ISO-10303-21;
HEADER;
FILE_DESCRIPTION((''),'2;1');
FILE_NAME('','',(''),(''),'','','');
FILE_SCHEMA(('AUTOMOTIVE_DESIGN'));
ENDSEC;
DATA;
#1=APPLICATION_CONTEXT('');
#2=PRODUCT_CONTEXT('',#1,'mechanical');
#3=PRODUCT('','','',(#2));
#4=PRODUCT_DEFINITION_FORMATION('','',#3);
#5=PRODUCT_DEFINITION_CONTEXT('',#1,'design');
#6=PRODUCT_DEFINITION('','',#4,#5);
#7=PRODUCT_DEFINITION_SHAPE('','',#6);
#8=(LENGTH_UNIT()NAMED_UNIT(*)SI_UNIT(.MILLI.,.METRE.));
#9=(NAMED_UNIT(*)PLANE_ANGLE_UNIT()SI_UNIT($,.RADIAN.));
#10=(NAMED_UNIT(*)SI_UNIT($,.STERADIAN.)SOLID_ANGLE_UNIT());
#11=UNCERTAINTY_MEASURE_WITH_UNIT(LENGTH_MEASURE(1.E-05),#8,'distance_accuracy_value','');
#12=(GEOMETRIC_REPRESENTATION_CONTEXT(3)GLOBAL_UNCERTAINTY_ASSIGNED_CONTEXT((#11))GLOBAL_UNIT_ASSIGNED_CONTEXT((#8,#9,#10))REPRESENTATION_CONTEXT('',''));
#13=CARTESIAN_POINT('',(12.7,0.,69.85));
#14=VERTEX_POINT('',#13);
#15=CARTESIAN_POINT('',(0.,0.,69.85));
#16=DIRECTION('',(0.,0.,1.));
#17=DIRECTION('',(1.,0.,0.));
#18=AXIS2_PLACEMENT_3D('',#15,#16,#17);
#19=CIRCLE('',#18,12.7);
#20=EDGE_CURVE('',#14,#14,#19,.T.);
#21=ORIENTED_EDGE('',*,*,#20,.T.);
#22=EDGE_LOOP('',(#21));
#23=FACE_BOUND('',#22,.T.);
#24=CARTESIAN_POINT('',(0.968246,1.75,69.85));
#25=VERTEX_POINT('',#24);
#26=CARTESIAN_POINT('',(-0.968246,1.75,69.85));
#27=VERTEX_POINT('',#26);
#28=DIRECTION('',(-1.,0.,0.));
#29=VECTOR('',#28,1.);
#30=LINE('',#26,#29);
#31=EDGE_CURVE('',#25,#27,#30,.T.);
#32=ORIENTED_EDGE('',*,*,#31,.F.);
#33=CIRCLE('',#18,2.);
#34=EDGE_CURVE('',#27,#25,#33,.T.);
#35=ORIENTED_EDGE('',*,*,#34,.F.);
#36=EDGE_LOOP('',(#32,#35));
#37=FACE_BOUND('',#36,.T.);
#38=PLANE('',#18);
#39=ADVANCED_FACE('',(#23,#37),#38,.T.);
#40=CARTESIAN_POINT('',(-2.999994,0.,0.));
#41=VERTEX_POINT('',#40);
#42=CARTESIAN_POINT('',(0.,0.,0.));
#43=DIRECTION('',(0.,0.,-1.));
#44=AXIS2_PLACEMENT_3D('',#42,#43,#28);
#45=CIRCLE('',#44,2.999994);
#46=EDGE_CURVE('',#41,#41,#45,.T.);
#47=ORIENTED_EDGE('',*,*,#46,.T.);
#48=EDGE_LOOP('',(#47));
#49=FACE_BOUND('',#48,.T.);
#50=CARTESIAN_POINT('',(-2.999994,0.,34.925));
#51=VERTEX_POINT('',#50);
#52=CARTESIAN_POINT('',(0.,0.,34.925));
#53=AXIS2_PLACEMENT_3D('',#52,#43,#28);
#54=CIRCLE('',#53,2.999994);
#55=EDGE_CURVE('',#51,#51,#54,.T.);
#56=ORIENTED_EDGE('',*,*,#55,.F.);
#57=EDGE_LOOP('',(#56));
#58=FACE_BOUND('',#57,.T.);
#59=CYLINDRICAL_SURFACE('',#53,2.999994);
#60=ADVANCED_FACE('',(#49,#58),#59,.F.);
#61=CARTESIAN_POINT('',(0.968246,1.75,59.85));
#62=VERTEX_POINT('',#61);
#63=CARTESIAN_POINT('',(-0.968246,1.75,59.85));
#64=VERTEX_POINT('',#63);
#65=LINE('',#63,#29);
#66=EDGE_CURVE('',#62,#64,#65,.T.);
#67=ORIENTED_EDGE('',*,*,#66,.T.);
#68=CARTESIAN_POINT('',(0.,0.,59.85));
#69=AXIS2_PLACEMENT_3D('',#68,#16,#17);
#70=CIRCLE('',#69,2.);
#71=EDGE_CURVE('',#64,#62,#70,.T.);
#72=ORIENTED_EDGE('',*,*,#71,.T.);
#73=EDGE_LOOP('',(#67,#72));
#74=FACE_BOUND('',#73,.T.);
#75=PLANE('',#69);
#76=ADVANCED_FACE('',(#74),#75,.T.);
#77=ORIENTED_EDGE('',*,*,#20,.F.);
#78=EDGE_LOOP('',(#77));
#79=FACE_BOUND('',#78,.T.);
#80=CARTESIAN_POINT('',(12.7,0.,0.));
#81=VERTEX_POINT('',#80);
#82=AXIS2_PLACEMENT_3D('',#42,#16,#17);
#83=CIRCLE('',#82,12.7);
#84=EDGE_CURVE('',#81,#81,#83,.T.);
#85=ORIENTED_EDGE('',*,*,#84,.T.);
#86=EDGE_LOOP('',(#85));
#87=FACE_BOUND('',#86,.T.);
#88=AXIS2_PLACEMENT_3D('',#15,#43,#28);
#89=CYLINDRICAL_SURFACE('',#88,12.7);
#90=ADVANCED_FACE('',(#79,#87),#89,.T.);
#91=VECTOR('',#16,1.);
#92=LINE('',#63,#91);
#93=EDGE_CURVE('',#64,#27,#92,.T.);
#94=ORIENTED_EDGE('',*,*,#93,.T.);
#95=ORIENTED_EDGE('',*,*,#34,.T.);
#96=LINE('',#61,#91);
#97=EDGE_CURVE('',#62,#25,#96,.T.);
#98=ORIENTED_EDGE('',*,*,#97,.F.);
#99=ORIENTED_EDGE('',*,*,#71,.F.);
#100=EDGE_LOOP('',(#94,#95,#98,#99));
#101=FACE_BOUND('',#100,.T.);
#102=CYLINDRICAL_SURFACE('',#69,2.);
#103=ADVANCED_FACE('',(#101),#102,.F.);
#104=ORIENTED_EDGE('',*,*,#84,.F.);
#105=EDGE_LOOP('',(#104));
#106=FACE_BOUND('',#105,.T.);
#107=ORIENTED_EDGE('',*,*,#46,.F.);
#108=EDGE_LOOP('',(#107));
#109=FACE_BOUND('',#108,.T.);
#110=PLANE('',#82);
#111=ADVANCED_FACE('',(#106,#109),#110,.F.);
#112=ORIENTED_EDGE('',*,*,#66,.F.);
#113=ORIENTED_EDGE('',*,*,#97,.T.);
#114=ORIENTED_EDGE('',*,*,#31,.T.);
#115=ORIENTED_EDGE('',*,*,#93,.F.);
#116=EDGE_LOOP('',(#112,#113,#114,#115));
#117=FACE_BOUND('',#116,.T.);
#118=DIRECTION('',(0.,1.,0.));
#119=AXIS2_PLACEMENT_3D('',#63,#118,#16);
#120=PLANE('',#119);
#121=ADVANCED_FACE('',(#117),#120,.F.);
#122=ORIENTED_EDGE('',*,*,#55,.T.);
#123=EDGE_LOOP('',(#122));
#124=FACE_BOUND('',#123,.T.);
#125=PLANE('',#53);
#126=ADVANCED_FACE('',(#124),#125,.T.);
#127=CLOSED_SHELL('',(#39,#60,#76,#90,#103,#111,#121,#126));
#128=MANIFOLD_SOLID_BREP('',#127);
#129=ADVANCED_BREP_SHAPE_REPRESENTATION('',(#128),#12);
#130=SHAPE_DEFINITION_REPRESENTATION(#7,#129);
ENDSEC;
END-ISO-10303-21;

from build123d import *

# Parameters (mm, degrees)
SKETCH1_R           = 12.7
BOSS_EXTRUDE1_DEPTH = 69.85
CUT_EXTRUDE1_DEPTH  = 10
SKETCH3_R           = 2.999994
CUT_EXTRUDE2_DEPTH  = 34.925


with BuildPart() as part:
    # Sketch1 → Boss-Extrude1 (new body)
    with BuildSketch(Plane.XY):
        Circle(SKETCH1_R)
    extrude(amount=BOSS_EXTRUDE1_DEPTH)

    # Sketch2 → Cut-Extrude1 (cut)
    with BuildSketch(Plane.XY.offset(69.85)):
        with BuildLine():
            Line((-0.968245837, 1.75), (0.968245837, 1.75))
            ThreePointArc((0.968245837, 1.75), (0, -2), (-0.968245837, 1.75))
        make_face()
    extrude(amount=-CUT_EXTRUDE1_DEPTH, mode=Mode.SUBTRACT)

    # Sketch3 → Cut-Extrude2 (cut)
    with BuildSketch(Plane(origin=(0, 0, 0), x_dir=(-1, 0, 0), z_dir=(0, 0, -1))):
        Circle(SKETCH3_R)
    extrude(amount=-CUT_EXTRUDE2_DEPTH, mode=Mode.SUBTRACT)


solid = part.part
